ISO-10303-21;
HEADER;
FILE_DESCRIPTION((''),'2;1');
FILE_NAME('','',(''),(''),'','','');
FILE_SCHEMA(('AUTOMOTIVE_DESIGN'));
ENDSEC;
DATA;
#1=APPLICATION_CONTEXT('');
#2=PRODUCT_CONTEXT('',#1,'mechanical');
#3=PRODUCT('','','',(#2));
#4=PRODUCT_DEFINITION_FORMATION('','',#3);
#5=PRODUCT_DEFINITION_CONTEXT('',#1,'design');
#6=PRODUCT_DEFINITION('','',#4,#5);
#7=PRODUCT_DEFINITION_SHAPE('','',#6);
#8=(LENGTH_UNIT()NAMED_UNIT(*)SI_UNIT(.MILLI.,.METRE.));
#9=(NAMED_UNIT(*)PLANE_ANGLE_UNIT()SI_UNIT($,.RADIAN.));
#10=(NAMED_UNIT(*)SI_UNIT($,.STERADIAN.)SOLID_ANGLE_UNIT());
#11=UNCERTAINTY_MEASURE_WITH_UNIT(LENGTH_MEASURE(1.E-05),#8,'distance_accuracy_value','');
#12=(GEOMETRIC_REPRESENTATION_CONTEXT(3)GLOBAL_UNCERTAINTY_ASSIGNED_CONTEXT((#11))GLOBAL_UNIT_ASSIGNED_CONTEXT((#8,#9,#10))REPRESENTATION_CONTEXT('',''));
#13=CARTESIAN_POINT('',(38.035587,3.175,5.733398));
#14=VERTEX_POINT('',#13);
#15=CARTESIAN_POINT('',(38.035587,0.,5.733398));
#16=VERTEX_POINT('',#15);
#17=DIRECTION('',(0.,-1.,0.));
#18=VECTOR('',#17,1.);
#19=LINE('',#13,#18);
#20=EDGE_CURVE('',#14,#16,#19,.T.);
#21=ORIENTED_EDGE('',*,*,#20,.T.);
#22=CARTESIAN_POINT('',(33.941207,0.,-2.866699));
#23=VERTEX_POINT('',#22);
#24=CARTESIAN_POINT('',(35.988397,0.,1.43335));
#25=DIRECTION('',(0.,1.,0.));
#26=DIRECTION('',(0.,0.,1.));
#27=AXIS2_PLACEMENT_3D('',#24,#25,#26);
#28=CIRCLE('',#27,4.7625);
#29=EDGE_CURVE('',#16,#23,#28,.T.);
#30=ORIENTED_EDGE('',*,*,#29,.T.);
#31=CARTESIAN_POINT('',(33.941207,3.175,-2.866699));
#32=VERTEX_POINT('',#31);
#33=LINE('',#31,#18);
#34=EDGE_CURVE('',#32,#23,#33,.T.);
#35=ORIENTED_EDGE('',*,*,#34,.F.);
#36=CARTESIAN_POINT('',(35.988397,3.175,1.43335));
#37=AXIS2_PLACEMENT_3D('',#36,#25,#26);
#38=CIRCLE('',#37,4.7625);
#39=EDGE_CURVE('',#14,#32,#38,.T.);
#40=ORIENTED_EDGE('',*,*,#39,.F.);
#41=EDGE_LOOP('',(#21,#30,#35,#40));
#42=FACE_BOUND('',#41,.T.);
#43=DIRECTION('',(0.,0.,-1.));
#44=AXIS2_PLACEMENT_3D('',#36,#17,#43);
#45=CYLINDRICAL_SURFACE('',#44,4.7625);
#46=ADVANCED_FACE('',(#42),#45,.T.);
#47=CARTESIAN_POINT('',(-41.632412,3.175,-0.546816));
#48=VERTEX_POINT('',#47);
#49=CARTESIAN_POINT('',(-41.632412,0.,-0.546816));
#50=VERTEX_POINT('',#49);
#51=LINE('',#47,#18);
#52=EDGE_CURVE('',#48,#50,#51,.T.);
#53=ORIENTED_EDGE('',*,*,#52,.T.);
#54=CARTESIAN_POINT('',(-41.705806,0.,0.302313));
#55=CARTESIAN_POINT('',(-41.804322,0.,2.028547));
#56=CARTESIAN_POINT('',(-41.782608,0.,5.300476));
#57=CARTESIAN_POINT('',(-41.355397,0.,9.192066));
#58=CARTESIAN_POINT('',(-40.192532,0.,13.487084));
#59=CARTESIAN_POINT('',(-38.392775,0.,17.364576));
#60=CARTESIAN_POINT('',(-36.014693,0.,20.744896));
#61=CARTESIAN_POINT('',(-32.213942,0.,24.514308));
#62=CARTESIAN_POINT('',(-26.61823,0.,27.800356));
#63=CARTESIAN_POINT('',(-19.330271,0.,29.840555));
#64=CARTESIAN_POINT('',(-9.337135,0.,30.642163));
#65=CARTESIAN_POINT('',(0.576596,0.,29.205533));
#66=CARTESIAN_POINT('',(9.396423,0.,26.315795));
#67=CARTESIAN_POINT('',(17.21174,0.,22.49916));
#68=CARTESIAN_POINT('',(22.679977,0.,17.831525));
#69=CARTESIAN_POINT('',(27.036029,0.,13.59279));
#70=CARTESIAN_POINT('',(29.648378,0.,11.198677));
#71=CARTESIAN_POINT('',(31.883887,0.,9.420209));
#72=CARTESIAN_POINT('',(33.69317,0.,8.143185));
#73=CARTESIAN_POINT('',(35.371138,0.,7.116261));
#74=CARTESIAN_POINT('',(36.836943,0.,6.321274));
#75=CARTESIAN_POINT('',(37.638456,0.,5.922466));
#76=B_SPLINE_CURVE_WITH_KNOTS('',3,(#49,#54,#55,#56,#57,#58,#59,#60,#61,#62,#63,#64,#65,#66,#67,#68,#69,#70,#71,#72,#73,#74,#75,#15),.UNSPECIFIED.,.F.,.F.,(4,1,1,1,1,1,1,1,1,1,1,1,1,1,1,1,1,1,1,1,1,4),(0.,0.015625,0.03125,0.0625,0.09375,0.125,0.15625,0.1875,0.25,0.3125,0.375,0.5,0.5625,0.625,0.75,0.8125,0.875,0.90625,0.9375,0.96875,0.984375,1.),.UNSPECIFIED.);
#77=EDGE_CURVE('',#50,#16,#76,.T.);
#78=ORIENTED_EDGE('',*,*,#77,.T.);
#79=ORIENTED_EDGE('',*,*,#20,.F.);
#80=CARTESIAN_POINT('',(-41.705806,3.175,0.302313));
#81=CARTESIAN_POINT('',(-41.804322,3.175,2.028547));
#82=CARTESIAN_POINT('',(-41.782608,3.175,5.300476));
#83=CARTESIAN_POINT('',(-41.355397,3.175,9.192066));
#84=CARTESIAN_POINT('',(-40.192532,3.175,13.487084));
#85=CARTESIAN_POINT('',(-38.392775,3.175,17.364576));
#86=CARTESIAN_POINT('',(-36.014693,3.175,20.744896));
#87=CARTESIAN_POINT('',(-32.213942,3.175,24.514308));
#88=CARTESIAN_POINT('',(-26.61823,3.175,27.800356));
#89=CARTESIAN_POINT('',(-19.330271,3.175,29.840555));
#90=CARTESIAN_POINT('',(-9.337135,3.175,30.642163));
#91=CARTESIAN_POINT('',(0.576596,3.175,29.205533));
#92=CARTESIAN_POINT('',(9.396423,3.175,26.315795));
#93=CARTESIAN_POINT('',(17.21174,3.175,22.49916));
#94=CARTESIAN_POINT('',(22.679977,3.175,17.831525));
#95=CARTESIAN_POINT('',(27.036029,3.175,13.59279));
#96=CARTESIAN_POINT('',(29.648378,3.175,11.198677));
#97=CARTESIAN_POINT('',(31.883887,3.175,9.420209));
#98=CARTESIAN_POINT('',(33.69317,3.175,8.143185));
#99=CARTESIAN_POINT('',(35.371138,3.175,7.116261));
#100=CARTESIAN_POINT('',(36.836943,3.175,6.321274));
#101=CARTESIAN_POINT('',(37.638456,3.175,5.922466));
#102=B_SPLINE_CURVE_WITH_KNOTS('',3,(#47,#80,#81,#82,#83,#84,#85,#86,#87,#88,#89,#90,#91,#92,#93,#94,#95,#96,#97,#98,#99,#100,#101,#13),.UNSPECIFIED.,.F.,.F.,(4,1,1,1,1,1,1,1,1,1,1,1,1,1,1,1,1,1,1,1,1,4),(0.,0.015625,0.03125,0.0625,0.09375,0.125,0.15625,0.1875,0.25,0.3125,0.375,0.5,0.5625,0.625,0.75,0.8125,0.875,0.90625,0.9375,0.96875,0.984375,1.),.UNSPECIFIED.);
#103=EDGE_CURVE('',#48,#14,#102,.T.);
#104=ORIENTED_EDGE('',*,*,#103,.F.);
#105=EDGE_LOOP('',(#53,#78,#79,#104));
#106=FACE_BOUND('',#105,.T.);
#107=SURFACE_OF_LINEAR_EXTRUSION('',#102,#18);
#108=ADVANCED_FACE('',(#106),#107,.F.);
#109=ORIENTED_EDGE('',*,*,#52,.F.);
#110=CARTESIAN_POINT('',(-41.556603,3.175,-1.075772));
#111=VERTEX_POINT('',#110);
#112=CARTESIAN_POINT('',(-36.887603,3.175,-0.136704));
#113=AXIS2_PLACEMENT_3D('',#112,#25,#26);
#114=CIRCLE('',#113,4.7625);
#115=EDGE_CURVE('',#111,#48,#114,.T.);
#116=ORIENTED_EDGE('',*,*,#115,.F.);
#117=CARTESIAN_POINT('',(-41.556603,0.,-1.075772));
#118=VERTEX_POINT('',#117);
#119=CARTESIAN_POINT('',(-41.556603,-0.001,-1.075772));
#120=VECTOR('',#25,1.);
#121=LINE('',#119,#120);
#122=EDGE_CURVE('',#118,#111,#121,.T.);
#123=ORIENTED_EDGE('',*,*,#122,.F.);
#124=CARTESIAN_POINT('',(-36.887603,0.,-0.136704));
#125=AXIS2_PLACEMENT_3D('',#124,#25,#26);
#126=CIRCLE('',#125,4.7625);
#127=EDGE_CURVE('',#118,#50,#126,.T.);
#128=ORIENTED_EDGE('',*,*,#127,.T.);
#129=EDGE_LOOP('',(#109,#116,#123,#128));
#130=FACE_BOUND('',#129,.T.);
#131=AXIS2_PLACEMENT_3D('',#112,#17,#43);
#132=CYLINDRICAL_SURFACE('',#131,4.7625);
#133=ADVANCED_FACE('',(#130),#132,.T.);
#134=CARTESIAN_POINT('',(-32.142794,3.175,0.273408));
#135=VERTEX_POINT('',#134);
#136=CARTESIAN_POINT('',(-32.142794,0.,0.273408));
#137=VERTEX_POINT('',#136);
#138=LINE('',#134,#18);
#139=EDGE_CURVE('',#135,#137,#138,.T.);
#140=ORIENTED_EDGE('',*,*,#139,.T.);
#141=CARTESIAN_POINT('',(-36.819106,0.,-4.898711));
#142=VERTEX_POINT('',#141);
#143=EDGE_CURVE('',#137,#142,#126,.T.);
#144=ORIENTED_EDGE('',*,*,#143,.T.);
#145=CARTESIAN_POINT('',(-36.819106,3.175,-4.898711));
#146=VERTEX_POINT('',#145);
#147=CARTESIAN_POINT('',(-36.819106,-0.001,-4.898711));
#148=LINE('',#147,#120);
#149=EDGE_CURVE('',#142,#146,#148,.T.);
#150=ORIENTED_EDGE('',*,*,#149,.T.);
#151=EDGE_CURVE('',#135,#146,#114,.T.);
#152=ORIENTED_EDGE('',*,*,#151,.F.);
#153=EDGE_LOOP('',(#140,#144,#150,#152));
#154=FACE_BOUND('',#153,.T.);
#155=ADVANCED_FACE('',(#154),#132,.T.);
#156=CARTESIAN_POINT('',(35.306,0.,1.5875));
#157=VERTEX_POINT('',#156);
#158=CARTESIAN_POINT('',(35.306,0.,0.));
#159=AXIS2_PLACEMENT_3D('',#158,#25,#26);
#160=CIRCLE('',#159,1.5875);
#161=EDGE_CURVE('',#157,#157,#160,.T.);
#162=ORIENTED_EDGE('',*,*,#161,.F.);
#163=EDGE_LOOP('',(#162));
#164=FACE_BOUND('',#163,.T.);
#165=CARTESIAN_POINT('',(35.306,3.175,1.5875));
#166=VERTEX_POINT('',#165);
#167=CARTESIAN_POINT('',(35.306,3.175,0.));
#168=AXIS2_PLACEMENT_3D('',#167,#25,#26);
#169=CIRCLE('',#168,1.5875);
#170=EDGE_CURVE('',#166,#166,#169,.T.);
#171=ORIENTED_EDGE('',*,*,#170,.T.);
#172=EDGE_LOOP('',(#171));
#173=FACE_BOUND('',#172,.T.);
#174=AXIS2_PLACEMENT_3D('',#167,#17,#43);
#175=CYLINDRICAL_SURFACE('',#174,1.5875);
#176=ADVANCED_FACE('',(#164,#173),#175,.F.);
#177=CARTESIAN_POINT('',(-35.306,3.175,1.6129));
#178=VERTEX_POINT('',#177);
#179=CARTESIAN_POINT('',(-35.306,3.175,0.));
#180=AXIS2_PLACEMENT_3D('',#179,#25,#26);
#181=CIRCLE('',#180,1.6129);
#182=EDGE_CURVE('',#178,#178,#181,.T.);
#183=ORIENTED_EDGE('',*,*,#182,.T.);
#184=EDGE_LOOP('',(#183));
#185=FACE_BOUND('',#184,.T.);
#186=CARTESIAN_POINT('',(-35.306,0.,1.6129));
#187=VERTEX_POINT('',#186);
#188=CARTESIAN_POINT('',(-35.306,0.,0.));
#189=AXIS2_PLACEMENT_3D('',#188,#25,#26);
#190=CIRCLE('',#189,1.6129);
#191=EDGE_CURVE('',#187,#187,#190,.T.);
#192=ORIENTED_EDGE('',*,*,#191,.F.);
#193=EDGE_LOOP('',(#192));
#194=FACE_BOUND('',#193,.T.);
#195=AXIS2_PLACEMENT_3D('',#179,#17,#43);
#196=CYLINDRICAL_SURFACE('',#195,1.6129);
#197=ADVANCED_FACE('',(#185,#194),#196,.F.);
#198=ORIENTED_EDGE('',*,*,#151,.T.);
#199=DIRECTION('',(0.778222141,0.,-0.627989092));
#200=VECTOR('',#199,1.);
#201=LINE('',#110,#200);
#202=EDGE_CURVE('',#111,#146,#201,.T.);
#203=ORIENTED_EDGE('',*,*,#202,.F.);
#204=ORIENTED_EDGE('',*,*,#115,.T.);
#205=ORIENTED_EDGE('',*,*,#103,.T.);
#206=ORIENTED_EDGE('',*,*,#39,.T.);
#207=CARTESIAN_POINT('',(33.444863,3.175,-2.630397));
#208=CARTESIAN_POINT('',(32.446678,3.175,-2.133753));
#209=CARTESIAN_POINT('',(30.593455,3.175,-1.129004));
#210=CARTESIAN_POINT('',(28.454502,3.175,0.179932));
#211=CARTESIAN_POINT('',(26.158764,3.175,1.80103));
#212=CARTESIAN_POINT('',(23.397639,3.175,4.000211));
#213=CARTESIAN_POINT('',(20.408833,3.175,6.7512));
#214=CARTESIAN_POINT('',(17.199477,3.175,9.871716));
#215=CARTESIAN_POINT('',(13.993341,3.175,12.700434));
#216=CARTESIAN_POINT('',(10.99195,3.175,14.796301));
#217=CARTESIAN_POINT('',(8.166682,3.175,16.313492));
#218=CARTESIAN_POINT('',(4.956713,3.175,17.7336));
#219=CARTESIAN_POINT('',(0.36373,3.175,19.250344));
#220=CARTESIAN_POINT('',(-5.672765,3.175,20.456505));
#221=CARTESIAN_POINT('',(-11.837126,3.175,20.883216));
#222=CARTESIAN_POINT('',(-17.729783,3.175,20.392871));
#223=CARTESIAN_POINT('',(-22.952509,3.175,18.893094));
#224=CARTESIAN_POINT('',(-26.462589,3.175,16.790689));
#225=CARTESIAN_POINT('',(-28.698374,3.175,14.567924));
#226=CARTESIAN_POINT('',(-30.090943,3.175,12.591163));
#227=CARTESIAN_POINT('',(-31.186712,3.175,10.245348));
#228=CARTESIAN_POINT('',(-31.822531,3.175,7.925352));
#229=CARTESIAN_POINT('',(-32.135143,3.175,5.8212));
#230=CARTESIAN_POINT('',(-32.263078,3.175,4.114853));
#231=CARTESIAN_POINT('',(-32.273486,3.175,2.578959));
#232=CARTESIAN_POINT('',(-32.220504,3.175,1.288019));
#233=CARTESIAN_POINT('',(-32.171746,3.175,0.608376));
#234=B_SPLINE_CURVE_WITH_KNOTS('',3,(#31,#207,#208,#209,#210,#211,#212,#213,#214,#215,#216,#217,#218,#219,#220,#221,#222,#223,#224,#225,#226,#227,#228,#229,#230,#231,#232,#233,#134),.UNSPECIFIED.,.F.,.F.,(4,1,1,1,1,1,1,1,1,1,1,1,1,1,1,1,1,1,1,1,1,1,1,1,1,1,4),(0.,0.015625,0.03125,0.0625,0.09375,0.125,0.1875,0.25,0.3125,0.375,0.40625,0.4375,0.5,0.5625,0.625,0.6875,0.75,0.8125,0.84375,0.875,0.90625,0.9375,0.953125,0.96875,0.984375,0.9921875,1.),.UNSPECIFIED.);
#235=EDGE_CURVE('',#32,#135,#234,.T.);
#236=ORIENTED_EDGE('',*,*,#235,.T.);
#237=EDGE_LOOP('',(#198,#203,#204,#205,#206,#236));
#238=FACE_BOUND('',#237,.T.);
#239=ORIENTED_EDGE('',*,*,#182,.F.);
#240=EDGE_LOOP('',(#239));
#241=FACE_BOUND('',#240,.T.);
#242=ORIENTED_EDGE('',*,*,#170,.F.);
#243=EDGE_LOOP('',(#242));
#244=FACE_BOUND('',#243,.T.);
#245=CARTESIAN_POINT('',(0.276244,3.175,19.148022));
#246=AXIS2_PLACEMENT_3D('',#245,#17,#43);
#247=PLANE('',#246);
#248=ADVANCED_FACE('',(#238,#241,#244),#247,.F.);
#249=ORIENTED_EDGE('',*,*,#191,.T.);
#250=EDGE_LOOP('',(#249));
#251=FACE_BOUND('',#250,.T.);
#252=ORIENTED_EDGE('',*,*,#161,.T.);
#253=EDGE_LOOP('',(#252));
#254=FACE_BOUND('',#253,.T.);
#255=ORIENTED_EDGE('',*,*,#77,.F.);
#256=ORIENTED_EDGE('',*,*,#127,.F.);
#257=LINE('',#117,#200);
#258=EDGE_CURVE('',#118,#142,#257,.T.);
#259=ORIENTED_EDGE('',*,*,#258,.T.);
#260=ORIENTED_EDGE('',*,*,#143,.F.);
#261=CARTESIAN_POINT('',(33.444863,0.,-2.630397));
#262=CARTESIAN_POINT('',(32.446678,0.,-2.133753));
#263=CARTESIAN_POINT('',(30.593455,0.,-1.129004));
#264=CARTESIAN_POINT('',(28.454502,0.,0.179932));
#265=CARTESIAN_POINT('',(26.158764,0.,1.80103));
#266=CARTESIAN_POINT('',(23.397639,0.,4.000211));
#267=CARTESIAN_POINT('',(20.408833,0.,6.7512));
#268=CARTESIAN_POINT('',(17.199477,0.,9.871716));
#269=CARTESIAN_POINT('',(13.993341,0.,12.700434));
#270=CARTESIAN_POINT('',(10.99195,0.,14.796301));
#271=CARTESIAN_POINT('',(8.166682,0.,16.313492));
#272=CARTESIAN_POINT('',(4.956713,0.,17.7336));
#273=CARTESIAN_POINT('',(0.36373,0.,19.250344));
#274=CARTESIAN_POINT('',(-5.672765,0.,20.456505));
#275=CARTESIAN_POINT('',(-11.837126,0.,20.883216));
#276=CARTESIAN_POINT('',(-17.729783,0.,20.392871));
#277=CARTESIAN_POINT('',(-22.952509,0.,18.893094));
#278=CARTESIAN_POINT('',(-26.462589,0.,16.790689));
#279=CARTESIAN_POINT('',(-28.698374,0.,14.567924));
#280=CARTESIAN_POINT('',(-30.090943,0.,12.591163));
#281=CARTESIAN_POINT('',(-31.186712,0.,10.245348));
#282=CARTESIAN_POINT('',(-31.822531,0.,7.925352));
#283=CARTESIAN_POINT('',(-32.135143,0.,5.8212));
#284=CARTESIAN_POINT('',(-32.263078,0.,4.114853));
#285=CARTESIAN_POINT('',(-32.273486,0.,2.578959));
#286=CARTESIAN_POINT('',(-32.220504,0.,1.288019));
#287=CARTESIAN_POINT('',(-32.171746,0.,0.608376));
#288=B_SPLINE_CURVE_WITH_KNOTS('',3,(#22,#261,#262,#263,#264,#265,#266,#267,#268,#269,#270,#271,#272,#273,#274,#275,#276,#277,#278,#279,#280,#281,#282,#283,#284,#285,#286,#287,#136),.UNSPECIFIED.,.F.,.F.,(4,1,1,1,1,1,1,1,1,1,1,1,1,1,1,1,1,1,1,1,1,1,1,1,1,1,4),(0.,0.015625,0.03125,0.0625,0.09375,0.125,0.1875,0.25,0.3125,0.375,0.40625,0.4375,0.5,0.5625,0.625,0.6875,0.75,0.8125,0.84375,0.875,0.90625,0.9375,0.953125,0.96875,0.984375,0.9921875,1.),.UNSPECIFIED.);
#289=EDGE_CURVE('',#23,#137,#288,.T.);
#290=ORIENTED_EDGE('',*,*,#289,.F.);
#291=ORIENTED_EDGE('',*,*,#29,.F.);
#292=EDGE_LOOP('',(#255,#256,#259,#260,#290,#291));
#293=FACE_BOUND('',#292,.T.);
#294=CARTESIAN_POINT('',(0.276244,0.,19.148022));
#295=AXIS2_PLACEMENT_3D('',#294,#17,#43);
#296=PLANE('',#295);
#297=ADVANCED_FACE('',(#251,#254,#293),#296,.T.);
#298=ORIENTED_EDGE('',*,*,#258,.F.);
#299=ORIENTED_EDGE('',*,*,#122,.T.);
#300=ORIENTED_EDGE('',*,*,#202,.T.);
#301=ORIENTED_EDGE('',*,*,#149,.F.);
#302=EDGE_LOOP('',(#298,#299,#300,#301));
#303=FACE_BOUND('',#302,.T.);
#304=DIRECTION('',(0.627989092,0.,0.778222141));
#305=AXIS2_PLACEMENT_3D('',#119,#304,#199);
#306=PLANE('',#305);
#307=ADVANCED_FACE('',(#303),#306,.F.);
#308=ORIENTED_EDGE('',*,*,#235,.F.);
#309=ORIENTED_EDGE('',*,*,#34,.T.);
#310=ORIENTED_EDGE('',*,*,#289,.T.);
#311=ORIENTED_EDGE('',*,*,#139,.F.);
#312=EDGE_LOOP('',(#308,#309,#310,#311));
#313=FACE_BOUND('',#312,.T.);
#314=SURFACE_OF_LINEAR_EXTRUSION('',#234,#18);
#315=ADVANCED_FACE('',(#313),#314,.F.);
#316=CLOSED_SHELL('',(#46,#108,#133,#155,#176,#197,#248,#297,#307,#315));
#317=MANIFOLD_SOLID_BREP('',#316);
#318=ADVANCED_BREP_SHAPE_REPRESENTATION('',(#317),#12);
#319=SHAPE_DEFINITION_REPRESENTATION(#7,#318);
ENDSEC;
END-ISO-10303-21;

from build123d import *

# Parameters (mm, degrees)
SKETCH1_R           = 1.6129
SKETCH1_R_2         = 1.5875
BOSS_EXTRUDE1_DEPTH = 3.175
CUT_EXTRUDE1_REACH  = 5.175


with BuildPart() as part:
    # Sketch1 → Boss-Extrude1 (new body)
    with BuildSketch(Plane(origin=(0, 0, 0), x_dir=(1, 0, 0), z_dir=(0, 1, 0))):
        with BuildLine():
            ThreePointArc((-32.142793863, -0.273408004), (-36.477491062, 4.881513207), (-41.632412273, 0.546816008))
            add(Edge.make_bspline(
                [(38.035586667, -5.733398349), (37.638456287, -5.922466284), (36.836942575, -6.321273918), (35.371138332, -7.116261195), (33.693170464, -8.143185315), (31.883886812, -9.42020902), (29.648378201, -11.198676514), (27.036028795, -13.592789636), (22.679976617, -17.831524884), (17.211739573, -22.499159659), (9.396423134, -26.315794857), (0.576595974, -29.205533013), (-9.337135311, -30.642162686), (-19.330270602, -29.840555436), (-26.618230144, -27.80035627), (-32.213942131, -24.514308128), (-36.014693252, -20.74489615), (-38.392774611, -17.364575843), (-40.192531501, -13.487083667), (-41.355396656, -9.192066449), (-41.782608077, -5.300476187), (-41.804321571, -2.028547037), (-41.705805772, -0.302313361), (-41.632412273, 0.546816008)],
                knots=[0, 0, 0, 0, 0.015625, 0.03125, 0.0625, 0.09375, 0.125, 0.1875, 0.25, 0.375, 0.4375, 0.5, 0.625, 0.6875, 0.75, 0.8125, 0.84375, 0.875, 0.90625, 0.9375, 0.96875, 0.984375, 1, 1, 1, 1], degree=3))
            ThreePointArc((38.035586667, -5.733398349), (40.288445428, 0.613840413), (33.941206667, 2.866699175))
            add(Edge.make_bspline(
                [(33.941206667, 2.866699175), (33.444862745, 2.63039713), (32.446678251, 2.133753144), (30.593455222, 1.129003811), (28.454502342, -0.17993207), (26.158764415, -1.801029891), (23.397639254, -4.000211026), (20.408833118, -6.751200435), (17.199476649, -9.871715537), (13.993340911, -12.700434126), (10.991950499, -14.796301145), (8.166682163, -16.313492063), (4.956712956, -17.733599771), (0.363730133, -19.250343795), (-5.672765293, -20.456505214), (-11.837126413, -20.883216065), (-17.729783319, -20.392870826), (-22.95250941, -18.893094147), (-26.462588517, -16.790688539), (-28.698373992, -14.567923675), (-30.090943107, -12.59116295), (-31.186712287, -10.245348167), (-31.822530926, -7.925351865), (-32.135142613, -5.82120044), (-32.263078141, -4.114852993), (-32.273485933, -2.578959429), (-32.220503872, -1.288018796), (-32.171746437, -0.608376098), (-32.142793863, -0.273408004)],
                knots=[0, 0, 0, 0, 0.015625, 0.03125, 0.0625, 0.09375, 0.125, 0.1875, 0.25, 0.3125, 0.375, 0.40625, 0.4375, 0.5, 0.5625, 0.625, 0.6875, 0.75, 0.8125, 0.84375, 0.875, 0.90625, 0.9375, 0.953125, 0.96875, 0.984375, 0.9921875, 1, 1, 1, 1], degree=3))
        make_face()
        with Locations((-35.306, 0)):
            Circle(SKETCH1_R, mode=Mode.SUBTRACT)
        with Locations((35.306, 0)):
            Circle(SKETCH1_R_2, mode=Mode.SUBTRACT)
    extrude(amount=BOSS_EXTRUDE1_DEPTH)

    # Sketch3 → Cut-Extrude1 (cut, up to next)
    with BuildSketch(Plane(origin=(0, 3.175, 0), x_dir=(1, 0, 0), z_dir=(0, 1, 0)), mode=Mode.PRIVATE) as cut_extrude1_sk1:
        with BuildLine():
            Line((-41.556602668, 1.07577215), (-36.819106421, 4.8987114))
            ThreePointArc((-36.819106421, 4.8987114), (-39.878401119, 3.842986947), (-41.556602668, 1.07577215))
        make_face()
    cut_extrude1_tool1 = extrude(cut_extrude1_sk1.sketch, amount=-CUT_EXTRUDE1_REACH, mode=Mode.PRIVATE) & part.part
    add(cut_extrude1_tool1.solids().sort_by_distance((-39.467003, 3.175, -3.33317))[0], mode=Mode.SUBTRACT)


solid = part.part
